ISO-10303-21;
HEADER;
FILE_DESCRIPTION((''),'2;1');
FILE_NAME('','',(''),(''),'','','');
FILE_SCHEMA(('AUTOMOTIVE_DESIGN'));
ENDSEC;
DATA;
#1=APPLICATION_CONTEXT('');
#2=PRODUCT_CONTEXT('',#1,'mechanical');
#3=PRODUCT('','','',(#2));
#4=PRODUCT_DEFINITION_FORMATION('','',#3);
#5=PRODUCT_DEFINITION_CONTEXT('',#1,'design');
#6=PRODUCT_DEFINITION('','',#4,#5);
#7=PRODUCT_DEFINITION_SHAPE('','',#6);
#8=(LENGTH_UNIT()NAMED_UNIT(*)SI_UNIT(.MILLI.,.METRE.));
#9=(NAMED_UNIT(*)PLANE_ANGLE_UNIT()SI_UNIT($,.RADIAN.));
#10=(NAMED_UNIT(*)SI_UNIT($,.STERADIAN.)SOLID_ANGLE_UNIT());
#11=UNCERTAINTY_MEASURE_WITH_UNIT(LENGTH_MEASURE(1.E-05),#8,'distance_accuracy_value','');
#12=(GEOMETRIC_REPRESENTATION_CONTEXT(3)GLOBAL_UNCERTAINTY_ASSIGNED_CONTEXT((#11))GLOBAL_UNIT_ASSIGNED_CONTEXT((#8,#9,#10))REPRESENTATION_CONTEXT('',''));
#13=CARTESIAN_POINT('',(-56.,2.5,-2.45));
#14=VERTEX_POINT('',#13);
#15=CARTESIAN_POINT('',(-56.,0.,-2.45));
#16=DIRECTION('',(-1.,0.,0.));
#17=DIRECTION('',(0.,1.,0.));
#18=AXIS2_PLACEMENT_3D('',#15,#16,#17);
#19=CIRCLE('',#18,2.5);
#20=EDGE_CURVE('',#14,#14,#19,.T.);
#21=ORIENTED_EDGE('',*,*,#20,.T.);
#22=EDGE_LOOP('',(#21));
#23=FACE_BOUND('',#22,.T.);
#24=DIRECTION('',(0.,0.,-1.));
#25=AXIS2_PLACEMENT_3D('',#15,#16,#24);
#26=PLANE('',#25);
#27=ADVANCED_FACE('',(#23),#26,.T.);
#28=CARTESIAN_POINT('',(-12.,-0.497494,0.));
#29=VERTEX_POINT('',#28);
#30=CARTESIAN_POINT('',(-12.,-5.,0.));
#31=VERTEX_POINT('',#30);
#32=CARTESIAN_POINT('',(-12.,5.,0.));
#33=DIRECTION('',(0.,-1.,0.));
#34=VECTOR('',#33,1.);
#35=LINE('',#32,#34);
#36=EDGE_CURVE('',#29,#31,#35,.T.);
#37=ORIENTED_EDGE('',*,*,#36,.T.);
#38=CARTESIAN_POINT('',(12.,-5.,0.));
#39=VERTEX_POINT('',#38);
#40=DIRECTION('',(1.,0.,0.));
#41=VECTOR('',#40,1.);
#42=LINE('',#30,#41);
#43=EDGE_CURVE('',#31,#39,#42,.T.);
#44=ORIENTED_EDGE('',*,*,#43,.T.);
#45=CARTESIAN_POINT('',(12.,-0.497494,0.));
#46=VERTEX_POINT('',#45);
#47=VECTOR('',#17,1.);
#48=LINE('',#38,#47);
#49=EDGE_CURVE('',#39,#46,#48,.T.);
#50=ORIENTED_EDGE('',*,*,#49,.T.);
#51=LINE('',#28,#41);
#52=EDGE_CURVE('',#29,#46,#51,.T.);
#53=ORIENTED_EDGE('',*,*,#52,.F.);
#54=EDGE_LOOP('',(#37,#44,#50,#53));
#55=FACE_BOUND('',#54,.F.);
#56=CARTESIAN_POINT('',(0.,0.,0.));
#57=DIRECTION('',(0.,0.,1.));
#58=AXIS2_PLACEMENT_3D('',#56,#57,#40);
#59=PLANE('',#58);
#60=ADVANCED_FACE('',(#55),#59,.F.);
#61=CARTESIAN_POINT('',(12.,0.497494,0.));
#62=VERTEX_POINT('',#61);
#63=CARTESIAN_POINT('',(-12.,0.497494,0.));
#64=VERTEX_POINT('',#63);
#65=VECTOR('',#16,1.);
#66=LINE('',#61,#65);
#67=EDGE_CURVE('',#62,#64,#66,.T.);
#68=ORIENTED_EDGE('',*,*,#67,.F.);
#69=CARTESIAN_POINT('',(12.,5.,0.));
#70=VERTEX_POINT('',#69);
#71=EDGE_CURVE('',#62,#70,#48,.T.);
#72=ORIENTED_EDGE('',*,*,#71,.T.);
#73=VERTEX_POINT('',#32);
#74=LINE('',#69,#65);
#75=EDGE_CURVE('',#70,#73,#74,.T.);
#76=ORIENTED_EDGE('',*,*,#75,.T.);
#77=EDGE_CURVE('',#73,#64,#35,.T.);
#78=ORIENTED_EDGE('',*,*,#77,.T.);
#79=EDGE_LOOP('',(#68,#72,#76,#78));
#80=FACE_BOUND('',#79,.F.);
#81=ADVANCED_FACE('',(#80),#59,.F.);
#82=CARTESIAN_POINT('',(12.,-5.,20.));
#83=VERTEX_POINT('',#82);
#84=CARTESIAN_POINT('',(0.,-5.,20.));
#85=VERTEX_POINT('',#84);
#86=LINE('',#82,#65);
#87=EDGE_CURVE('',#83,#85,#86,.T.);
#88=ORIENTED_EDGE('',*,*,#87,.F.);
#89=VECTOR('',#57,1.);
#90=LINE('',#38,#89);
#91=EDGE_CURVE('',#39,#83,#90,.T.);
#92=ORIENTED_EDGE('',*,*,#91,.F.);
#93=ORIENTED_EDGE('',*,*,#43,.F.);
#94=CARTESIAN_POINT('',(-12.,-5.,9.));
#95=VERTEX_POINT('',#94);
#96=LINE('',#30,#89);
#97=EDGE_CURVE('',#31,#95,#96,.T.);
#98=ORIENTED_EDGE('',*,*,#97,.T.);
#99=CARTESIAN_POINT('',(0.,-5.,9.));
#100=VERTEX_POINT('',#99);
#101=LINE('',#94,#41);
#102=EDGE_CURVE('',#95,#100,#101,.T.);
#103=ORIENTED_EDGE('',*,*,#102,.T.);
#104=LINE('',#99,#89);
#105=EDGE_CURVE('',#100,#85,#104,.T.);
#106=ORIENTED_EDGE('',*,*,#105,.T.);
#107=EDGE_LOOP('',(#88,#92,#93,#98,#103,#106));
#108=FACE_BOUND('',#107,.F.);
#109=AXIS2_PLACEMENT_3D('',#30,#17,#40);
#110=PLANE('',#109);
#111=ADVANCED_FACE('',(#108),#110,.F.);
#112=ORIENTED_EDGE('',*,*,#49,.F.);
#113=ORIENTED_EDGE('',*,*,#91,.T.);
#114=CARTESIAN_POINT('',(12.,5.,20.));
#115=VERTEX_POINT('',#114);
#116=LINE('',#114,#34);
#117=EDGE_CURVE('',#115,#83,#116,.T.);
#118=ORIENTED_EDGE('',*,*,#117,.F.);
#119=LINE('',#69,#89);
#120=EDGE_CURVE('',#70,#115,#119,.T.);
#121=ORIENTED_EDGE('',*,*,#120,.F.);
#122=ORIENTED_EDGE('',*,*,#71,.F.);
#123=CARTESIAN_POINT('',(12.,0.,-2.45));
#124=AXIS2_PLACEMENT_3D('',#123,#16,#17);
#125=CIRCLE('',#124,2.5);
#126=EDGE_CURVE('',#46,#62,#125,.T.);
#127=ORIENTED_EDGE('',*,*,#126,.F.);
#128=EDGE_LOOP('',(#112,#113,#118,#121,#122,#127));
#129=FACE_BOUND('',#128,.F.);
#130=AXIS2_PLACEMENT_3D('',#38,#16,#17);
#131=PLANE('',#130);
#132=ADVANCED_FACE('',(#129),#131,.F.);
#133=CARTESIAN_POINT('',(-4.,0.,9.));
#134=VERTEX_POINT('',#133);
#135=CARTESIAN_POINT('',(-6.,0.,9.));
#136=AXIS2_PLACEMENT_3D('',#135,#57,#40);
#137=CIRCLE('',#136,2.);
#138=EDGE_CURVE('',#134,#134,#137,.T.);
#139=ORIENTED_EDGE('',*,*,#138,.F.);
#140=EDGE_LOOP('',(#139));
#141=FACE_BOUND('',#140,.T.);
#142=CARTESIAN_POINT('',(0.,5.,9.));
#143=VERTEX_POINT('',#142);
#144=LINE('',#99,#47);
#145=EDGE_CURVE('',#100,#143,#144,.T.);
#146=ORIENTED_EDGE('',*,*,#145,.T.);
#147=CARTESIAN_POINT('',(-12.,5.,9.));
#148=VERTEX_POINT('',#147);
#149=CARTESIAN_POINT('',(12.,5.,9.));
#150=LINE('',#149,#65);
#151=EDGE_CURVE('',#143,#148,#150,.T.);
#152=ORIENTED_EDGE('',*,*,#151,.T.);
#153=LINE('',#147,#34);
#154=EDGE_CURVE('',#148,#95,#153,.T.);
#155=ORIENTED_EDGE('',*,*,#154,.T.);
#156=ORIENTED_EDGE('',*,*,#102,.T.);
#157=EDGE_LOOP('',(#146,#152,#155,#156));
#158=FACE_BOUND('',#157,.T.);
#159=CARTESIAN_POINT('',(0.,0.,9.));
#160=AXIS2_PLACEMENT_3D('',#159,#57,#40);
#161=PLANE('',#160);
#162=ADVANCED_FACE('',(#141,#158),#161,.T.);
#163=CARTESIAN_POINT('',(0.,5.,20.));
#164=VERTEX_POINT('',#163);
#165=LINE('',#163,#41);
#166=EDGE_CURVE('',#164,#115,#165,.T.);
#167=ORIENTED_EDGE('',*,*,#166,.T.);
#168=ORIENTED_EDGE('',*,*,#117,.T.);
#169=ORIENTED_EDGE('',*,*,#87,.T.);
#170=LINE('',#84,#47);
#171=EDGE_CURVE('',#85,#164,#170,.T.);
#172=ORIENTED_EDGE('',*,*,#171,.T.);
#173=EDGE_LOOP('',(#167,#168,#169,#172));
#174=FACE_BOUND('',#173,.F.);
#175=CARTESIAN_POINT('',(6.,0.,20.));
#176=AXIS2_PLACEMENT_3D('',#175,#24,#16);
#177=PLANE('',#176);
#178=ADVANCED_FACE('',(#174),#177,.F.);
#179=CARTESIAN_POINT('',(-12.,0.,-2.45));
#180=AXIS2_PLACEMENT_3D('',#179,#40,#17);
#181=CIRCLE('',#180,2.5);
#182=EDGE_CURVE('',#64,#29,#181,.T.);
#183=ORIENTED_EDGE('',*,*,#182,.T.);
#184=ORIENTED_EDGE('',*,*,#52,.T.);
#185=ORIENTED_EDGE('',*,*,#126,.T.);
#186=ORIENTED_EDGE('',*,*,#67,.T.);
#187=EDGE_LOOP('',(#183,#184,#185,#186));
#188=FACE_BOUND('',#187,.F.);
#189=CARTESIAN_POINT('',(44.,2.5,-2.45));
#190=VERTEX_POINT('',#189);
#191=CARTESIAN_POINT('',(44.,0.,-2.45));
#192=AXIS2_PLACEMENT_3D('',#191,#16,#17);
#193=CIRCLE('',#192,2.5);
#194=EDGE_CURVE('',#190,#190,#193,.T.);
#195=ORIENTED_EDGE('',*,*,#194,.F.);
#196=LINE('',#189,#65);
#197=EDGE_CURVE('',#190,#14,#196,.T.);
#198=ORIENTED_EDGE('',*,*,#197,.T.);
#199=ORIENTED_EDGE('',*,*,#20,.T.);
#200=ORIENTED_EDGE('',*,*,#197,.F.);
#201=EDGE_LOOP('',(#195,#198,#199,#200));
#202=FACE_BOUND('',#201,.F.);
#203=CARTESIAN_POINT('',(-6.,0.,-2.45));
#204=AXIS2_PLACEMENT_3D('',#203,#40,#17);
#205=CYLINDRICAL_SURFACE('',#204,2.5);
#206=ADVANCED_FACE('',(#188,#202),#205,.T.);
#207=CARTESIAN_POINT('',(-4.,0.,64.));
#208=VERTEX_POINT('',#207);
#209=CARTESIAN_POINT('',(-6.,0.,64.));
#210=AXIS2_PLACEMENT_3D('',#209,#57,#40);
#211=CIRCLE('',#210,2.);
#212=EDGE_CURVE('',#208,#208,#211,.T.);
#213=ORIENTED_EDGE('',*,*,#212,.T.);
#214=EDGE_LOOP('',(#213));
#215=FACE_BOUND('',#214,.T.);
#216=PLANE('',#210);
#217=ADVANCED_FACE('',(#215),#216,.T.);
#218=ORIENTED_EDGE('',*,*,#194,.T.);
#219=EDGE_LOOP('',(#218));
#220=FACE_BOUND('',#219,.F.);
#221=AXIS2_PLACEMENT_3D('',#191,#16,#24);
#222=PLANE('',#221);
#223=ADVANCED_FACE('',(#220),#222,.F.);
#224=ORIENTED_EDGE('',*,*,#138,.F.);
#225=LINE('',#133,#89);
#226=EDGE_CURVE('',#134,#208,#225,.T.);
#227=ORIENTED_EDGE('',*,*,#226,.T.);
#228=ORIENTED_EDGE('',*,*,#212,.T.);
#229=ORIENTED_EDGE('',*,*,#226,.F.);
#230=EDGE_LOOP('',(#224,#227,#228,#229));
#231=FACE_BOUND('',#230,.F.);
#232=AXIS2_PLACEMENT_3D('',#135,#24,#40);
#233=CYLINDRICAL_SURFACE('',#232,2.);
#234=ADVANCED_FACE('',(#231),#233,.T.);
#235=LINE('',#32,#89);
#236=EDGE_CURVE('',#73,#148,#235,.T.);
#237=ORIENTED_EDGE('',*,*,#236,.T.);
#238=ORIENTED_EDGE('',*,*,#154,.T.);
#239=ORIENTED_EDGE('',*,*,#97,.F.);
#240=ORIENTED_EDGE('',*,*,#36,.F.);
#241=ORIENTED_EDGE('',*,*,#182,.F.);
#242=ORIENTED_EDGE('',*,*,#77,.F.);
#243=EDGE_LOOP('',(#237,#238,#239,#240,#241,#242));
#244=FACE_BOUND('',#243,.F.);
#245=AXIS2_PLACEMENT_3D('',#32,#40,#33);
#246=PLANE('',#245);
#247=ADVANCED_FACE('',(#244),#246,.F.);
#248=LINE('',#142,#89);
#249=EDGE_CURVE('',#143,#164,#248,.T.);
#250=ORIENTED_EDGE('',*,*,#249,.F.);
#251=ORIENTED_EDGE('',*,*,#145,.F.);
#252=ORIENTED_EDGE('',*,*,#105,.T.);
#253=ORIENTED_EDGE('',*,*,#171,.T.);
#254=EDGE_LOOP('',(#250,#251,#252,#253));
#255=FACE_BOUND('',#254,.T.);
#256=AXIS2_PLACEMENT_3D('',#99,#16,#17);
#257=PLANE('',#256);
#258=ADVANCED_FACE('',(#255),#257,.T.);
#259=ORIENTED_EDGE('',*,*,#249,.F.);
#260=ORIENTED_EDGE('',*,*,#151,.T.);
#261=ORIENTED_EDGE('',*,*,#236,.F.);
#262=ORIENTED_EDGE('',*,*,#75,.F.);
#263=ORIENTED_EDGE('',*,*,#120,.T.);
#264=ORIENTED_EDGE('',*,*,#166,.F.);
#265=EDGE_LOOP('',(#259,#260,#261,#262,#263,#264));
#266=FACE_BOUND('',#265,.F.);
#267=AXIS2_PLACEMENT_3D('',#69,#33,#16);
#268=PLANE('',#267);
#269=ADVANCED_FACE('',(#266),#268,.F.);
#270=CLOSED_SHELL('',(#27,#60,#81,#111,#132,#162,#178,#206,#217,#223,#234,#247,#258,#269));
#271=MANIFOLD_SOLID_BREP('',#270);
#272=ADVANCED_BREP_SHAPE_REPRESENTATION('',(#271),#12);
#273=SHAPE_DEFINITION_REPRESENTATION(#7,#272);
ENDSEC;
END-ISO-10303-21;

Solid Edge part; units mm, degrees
sketch "Sketch1" plane through (0, 0, 0) normal (0, 0, 1) x (1, 0, 0)
  line L0 (-12, -5) -> (12, -5)
  line L1 (12, -5) -> (12, 5)
  line L2 (12, 5) -> (-12, 5)
  line L3 (-12, 5) -> (-12, -5)
extrude "Protrusion1" add sketch "Sketch1" along normal blind 9
sketch "Sketch2" plane through (0, 0, 9) normal (0, 0, 1) x (1, 0, 0)
  line L0 (12, 5) -> (12, -5)
  line L1 (12, -5) -> (0, -5)
  line L2 (0, -5) -> (0, 5)
  line L3 (0, 5) -> (12, 5)
extrude "Wyciągnięcie_2" add sketch "Sketch2" along normal blind 11
sketch "Sketch3" plane through (-6, 0, 9) normal (0, 0, 1) x (1, 0, 0)
  circle A0 centre (0, 0) radius 2
extrude "Wyciągnięcie_3" add sketch "Sketch3" along normal blind 55
cosmetic_thread "Thread1" size "M4"
sketch "Sketch4" plane through (-6, 0, 4.5) normal (-1, 0, 0) x (0, 1, 0)
  circle A0 centre (0, 6.95) radius 2.5
  dimension "D1" = 5
  dimension "D2" = 2.45
extrude "Wyciągnięcie_6" add sketch "Sketch4" along normal mid plane 100
